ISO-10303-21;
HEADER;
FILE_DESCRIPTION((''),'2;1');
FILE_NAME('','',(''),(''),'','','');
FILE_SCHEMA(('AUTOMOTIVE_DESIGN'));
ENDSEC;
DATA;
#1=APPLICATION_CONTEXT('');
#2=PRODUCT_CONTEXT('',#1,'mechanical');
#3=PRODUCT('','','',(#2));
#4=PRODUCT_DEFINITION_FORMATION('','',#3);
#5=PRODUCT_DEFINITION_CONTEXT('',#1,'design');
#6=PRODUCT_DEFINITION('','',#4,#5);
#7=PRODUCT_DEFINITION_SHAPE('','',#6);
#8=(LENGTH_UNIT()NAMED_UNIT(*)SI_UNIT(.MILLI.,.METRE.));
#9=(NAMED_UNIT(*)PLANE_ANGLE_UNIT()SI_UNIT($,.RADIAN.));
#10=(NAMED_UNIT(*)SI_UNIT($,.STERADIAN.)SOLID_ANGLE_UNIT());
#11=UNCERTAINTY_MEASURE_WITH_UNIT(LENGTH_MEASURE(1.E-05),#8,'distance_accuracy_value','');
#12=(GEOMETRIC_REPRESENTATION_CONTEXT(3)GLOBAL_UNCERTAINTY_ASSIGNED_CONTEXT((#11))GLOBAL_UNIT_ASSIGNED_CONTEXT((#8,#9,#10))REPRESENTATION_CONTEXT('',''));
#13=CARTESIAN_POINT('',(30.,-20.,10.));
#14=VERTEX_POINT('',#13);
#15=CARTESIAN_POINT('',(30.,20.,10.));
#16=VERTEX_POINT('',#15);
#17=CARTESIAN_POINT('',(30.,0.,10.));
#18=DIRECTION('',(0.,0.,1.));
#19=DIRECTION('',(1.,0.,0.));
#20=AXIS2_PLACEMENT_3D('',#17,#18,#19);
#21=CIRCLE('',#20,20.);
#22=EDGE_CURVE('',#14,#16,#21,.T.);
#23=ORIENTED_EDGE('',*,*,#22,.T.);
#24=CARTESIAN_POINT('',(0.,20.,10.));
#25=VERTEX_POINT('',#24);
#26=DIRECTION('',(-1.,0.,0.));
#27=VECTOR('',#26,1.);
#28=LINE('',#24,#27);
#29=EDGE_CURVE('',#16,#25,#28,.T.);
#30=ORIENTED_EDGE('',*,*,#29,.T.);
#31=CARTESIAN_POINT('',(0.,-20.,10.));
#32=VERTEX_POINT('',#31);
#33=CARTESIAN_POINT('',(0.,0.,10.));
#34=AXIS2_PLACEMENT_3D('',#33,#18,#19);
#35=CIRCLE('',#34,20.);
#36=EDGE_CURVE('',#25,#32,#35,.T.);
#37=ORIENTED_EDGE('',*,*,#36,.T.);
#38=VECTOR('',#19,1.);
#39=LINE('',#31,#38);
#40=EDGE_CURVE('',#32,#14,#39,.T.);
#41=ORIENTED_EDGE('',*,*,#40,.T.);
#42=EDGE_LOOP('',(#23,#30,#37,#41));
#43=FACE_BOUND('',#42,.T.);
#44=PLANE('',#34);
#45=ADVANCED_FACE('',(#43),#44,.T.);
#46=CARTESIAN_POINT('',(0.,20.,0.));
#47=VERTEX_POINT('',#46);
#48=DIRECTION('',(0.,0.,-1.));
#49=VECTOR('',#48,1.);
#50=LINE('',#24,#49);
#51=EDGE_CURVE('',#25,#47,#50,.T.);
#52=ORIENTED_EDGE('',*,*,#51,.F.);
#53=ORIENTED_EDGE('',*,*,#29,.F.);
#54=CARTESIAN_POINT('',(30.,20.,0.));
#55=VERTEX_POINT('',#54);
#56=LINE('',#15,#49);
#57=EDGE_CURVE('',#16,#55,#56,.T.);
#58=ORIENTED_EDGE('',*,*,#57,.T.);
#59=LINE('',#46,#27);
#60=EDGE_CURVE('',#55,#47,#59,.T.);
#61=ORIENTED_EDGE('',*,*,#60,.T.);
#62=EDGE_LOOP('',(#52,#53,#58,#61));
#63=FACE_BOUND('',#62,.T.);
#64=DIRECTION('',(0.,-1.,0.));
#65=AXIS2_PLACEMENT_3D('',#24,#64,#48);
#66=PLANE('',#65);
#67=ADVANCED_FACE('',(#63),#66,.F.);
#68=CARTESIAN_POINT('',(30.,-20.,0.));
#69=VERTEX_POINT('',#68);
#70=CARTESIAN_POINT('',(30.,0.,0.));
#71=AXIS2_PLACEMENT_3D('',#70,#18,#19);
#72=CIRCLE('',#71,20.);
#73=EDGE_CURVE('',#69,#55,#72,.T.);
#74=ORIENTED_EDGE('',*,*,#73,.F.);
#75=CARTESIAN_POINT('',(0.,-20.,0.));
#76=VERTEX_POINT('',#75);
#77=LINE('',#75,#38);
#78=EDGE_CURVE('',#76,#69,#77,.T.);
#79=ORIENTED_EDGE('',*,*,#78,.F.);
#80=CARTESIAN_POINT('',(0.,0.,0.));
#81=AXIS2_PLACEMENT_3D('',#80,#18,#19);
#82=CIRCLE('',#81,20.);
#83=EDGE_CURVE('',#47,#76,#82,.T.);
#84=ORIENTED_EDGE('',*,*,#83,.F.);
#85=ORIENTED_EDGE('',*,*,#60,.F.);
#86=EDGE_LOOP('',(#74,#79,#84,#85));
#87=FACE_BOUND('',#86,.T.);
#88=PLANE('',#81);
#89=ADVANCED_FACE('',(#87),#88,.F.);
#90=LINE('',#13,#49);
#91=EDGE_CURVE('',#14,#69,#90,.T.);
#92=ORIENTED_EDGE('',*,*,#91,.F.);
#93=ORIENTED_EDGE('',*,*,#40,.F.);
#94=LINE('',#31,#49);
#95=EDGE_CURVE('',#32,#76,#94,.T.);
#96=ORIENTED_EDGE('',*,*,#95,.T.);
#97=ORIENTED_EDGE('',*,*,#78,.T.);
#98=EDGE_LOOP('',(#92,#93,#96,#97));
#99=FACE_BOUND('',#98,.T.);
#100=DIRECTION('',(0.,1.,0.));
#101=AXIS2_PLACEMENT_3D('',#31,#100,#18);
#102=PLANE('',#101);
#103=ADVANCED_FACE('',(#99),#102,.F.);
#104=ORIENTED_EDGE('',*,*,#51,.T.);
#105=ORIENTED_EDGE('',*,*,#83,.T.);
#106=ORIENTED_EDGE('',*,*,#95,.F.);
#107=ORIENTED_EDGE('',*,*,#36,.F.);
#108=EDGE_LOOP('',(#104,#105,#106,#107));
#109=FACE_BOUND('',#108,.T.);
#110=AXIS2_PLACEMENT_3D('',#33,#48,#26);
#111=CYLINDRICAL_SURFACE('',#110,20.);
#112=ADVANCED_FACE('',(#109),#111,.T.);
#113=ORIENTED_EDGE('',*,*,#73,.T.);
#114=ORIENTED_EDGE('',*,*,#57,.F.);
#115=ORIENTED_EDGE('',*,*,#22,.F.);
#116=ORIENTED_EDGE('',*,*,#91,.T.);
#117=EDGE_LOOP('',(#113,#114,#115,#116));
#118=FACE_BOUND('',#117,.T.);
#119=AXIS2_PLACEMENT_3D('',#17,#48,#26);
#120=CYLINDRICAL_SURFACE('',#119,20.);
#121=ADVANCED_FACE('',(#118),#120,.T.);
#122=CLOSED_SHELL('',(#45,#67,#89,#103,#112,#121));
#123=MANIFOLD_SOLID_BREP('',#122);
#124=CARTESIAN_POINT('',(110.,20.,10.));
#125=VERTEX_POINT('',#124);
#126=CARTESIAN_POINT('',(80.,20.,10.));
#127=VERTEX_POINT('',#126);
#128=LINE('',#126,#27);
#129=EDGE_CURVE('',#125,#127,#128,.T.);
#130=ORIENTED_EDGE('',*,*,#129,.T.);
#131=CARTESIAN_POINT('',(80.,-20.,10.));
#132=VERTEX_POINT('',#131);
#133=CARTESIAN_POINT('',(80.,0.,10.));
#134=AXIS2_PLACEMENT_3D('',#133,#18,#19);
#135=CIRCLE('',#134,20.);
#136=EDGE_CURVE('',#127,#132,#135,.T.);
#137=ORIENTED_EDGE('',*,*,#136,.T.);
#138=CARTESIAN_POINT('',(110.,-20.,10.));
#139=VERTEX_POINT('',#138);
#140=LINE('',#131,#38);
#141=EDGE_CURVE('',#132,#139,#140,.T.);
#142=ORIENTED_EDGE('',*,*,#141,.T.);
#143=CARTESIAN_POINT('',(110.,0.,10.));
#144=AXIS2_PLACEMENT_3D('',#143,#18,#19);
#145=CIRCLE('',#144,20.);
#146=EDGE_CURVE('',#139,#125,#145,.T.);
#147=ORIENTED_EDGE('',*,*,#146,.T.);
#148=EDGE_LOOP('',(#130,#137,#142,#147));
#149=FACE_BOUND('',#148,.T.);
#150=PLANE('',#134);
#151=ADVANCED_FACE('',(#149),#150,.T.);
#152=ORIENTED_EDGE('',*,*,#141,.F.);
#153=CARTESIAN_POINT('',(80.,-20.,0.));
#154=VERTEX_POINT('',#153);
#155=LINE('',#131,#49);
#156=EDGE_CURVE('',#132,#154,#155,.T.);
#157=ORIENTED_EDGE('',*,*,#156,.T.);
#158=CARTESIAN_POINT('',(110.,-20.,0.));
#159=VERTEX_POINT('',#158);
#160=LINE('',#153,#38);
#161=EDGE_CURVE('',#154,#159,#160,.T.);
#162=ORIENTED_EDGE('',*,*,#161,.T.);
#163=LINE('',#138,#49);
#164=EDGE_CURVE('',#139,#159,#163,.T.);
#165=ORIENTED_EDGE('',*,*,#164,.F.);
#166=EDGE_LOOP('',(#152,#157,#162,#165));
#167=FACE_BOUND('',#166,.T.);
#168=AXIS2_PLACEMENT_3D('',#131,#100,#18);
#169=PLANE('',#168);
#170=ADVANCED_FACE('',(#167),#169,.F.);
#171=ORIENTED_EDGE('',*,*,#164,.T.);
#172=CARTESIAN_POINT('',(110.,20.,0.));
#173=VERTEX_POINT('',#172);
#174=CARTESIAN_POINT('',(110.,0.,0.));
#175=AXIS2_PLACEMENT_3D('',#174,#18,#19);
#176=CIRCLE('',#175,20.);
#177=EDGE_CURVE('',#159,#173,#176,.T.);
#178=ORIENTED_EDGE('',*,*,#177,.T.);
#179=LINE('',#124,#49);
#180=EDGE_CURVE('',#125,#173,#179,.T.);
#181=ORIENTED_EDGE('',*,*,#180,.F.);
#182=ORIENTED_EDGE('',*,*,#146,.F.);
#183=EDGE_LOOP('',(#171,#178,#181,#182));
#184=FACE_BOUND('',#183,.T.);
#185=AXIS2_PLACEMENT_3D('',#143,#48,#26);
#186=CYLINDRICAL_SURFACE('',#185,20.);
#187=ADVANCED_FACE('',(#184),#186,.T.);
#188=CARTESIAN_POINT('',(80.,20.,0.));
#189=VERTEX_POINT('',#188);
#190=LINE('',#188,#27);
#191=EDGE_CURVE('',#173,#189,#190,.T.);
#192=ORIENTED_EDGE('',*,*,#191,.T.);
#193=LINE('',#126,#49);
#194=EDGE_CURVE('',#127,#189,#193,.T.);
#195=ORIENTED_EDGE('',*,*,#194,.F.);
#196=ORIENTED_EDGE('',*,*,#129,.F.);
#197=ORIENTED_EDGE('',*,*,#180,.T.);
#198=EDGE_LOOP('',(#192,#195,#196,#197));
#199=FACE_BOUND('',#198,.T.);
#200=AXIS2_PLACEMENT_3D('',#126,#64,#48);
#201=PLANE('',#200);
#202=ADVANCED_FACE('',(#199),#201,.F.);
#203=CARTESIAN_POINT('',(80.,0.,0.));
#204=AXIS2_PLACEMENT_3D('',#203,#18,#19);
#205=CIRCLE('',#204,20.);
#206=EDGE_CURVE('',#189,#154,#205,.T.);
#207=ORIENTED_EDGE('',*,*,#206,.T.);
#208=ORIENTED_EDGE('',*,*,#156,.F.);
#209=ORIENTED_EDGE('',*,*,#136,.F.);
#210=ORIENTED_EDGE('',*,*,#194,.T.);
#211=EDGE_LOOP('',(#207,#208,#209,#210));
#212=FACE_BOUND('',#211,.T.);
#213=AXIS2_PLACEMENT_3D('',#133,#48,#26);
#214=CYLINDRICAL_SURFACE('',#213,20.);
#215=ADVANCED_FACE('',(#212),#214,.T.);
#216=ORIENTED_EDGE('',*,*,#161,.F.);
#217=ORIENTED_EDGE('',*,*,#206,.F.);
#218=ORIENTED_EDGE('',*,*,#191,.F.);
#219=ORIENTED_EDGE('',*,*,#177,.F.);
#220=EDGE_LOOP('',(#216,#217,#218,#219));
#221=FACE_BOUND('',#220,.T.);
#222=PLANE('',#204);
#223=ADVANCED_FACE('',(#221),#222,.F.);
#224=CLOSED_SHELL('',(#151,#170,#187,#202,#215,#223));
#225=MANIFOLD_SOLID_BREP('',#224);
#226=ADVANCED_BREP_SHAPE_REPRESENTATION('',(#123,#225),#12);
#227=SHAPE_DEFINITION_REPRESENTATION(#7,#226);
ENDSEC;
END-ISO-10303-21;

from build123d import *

# Parameters (mm, degrees)
BOSS_EXTRU_1_DEPTH   = 10
BOSS_EXTRU_1_2_DEPTH = 10


with BuildPart() as part:
    # Esquisse1 → Boss.-Extru.1 (new body)
    with BuildSketch(Plane.XY):
        with BuildLine():
            Line((0, 20), (30, 20))
            ThreePointArc((30, 20), (50, 0), (30, -20))
            Line((30, -20), (0, -20))
            ThreePointArc((0, -20), (-20, 0), (0, 20))
        make_face()
    extrude(amount=BOSS_EXTRU_1_DEPTH)


with BuildPart() as body_2:
    # Esquisse1 → Boss.-Extru.1 2 (new body)
    with BuildSketch(Plane.XY):
        with BuildLine():
            Line((80, 20), (110, 20))
            ThreePointArc((110, 20), (130, 0), (110, -20))
            Line((110, -20), (80, -20))
            ThreePointArc((80, -20), (60, 0), (80, 20))
        make_face()
    extrude(amount=BOSS_EXTRU_1_2_DEPTH)


solid = Compound([part.part, body_2.part])
